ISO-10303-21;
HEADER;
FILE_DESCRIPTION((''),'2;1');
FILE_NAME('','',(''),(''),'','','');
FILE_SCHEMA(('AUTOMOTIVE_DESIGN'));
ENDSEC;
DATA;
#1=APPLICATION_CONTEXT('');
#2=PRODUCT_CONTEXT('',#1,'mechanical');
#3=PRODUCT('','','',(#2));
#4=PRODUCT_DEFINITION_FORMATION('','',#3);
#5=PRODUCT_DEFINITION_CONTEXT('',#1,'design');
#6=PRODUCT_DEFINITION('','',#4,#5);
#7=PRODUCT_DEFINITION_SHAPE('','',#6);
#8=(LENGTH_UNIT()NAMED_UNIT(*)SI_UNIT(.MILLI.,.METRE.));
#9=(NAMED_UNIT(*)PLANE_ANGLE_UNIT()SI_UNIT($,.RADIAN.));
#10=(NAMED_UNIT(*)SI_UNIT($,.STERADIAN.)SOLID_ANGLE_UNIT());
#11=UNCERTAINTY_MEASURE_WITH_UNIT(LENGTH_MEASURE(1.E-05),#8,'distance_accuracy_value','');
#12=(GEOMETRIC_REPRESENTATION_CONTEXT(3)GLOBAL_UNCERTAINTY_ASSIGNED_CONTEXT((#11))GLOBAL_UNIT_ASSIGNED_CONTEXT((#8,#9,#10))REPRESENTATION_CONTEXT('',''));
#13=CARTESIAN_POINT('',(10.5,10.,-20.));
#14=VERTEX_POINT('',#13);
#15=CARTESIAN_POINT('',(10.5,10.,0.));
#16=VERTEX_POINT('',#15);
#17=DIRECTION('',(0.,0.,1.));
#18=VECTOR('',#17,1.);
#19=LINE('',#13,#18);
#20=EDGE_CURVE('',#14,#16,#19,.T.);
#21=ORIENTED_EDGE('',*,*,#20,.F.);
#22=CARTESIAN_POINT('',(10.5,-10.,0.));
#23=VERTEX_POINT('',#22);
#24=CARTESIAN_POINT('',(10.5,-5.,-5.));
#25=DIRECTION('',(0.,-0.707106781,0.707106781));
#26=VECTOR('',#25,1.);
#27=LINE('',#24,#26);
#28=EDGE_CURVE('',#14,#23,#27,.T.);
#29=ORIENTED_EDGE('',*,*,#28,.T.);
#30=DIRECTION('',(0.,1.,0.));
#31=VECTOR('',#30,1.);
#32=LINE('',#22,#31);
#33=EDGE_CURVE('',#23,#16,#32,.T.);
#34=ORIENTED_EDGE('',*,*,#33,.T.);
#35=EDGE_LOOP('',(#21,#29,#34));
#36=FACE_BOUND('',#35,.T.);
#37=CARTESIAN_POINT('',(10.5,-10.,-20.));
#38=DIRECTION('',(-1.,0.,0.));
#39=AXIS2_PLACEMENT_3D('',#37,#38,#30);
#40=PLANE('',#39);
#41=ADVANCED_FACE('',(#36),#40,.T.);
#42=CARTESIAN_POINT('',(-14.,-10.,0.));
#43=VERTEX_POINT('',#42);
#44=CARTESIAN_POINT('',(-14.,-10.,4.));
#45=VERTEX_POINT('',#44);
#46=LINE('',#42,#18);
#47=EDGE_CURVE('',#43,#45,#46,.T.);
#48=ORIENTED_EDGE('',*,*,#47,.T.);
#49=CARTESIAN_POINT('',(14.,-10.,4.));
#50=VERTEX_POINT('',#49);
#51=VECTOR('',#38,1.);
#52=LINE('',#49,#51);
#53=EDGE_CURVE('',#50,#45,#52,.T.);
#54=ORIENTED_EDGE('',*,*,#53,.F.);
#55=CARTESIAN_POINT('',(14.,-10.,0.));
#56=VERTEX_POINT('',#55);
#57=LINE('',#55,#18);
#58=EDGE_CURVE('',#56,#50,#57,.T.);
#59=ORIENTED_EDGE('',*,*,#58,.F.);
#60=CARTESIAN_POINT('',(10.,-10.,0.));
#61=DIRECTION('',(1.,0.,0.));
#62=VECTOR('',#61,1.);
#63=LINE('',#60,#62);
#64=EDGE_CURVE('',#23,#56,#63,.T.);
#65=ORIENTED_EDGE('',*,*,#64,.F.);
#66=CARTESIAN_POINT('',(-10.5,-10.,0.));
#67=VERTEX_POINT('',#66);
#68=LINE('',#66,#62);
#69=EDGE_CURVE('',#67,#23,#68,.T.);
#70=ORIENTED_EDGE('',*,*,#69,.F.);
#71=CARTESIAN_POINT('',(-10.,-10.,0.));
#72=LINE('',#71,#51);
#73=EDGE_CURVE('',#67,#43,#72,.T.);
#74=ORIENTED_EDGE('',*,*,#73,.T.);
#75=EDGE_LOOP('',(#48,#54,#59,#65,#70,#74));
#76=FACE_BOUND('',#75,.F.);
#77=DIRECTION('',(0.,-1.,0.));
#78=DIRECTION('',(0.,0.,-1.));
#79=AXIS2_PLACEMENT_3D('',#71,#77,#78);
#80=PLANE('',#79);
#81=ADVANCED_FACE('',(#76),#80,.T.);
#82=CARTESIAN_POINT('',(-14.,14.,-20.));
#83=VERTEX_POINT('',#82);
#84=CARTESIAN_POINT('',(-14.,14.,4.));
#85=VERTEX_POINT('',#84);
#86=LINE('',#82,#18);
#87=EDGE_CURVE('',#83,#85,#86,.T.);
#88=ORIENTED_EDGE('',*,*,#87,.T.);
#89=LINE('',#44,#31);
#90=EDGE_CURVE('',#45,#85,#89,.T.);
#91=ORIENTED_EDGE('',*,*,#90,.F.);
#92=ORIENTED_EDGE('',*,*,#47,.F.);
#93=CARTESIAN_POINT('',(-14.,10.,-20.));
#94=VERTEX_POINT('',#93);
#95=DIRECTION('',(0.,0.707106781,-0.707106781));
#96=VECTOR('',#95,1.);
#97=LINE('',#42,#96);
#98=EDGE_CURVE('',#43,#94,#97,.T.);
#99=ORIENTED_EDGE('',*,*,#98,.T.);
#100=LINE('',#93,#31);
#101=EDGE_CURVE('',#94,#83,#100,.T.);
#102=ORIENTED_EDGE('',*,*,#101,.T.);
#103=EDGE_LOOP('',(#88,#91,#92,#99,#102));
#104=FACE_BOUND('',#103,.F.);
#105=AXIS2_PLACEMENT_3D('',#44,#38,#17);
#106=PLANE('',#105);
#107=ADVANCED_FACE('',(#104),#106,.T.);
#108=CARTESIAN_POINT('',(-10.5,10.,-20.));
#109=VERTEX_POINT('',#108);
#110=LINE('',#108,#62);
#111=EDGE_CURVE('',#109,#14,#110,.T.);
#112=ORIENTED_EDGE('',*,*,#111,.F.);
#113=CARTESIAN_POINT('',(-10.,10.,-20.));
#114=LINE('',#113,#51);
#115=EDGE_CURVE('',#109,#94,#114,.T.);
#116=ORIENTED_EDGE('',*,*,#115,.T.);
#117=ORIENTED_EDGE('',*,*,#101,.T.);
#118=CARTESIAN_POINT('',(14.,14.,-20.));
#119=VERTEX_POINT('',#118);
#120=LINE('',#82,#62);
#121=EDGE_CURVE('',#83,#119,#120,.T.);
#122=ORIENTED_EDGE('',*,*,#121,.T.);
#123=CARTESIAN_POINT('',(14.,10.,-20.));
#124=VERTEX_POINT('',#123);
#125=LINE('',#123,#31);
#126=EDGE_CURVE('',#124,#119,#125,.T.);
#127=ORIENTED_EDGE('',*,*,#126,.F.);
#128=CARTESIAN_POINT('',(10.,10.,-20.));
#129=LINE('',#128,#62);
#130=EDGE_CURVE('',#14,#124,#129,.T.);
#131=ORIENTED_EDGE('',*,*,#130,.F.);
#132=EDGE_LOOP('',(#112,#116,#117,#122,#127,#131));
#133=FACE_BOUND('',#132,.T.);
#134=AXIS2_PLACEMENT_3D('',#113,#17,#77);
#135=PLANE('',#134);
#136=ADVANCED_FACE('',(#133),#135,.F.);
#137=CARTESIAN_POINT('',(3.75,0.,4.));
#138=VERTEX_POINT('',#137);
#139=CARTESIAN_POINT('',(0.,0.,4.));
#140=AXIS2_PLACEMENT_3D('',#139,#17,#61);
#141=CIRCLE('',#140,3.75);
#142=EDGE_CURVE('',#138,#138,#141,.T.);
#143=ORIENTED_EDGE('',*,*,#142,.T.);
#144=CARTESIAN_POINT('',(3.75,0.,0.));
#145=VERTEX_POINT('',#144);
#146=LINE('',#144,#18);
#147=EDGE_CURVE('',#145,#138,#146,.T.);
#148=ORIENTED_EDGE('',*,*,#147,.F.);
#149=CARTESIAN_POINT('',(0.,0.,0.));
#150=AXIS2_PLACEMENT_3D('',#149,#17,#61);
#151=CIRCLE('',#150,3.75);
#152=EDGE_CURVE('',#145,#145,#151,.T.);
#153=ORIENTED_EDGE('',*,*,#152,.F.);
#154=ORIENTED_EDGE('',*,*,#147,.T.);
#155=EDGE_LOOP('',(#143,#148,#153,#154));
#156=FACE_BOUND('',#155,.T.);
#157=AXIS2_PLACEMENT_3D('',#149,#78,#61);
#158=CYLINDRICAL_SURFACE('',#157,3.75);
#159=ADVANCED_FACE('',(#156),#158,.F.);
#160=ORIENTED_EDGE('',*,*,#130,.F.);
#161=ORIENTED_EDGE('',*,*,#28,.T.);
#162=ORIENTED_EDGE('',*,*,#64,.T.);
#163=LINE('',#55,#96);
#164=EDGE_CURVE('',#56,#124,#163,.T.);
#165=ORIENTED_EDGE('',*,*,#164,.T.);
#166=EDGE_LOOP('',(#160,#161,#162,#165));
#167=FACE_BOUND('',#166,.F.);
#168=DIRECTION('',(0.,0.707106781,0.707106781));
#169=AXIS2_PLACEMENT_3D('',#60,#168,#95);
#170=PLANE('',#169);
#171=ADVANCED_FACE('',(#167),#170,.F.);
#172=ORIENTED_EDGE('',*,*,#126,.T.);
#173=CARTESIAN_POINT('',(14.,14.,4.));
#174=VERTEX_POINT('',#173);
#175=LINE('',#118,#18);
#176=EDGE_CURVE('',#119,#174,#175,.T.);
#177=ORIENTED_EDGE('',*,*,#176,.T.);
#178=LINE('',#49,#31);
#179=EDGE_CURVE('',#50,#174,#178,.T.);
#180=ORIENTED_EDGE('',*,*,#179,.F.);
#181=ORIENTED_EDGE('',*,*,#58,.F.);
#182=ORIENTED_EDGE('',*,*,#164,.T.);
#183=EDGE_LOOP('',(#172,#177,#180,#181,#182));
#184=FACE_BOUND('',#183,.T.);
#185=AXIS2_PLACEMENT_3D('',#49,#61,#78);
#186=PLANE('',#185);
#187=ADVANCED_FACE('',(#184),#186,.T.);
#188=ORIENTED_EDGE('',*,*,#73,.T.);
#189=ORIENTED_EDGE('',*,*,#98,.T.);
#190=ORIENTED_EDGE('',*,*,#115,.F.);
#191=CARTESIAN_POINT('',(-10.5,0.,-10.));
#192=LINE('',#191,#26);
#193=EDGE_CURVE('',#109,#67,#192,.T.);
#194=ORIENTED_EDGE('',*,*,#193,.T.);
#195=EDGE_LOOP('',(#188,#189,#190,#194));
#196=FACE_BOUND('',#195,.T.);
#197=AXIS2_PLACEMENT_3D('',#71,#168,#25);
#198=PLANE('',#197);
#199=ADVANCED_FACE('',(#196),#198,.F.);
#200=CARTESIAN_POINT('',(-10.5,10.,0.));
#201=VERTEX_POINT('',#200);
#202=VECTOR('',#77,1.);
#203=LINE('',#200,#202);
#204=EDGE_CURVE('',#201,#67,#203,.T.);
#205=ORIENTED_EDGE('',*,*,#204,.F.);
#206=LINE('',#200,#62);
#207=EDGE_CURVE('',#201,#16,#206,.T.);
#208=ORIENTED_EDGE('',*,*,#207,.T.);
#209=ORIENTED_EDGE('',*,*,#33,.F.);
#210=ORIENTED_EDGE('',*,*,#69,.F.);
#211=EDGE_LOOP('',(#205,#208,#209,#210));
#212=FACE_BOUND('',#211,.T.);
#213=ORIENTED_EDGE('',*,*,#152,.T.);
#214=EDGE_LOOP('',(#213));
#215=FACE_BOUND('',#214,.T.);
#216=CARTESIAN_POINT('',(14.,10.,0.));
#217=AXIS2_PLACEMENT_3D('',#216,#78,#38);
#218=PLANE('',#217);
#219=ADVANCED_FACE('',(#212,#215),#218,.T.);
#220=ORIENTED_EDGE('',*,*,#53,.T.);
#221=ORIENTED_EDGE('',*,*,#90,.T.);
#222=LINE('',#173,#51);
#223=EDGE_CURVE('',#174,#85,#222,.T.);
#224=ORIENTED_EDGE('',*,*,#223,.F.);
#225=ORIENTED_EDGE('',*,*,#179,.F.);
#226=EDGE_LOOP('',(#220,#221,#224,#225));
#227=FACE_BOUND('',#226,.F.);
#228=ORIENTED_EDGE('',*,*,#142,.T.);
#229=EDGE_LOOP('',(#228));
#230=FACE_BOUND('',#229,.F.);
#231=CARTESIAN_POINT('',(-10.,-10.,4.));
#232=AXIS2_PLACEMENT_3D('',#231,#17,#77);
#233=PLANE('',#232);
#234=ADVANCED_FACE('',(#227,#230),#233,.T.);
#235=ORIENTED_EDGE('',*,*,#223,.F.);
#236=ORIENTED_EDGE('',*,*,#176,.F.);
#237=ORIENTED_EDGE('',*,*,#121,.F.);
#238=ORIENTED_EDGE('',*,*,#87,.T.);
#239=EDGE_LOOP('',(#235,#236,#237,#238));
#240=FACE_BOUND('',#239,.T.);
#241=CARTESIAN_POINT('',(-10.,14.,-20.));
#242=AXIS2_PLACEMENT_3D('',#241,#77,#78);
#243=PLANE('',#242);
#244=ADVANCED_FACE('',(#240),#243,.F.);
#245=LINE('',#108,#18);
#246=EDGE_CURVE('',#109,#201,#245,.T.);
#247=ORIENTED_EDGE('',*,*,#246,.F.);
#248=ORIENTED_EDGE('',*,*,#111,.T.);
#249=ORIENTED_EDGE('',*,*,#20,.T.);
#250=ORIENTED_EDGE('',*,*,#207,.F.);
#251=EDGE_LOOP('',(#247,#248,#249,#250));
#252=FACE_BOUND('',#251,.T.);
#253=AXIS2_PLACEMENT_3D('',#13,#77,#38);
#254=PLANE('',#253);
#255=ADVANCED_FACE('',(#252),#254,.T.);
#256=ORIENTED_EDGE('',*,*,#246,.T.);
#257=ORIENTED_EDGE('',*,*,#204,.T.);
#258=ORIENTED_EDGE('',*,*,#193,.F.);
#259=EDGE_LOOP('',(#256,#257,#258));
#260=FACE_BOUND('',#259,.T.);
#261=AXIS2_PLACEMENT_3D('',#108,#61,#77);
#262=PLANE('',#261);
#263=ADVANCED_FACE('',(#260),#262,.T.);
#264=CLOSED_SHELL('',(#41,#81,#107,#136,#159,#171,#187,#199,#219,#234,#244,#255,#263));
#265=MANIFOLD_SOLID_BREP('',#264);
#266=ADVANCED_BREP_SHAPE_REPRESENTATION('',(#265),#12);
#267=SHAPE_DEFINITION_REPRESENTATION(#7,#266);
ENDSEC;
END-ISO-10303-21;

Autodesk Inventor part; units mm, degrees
ref_plane "YZ Plane" through (0, 0, 0) normal (1, 0, 0) x (0, 1, 0)
ref_plane "XZ Plane" through (0, 0, 0) normal (0, 1, 0) x (-1, 0, 0)
ref_plane "XY Plane" through (0, 0, 0) normal (0, 0, 1) x (1, 0, 0)
sketch "Sketch1" plane through (0, 0, 0) normal (0, 0, 1) x (1, 0, 0)
  circle A0 centre (0, 0) radius 3.75
  line L0 (-10, 10) -> (10, 10)
  line L1 (10, 10) -> (10, -10)
  line L2 (10, -10) -> (-10, -10)
  line L3 (-10, -10) -> (-10, 10)
  line L4 (-10, 10) -> (10, -10) construction
  line L5 (10, 10) -> (-10, -10) construction
  dimension "d0" = 7.5
  dimension "d1" = 20
  dimension "d2" = 20
extrude "Extrusion1" add sketch "Sketch1" along normal blind 4
sketch "Sketch2" plane through (-10, 10, 0) normal (0, 1, 0) x (1, 0, 0)
  line L0 (20, -4) -> (0, -4) projected
  line L1 (0, -4) -> (20, -4)
  line L2 (20, -4) -> (20, 20)
  line L3 (20, 20) -> (0, 20)
  line L4 (0, 20) -> (0, -4)
  point P0 (10, 0)
  dimension "d5" = 24
extrude "Extrusion2" add sketch "Sketch2" along normal blind 4
sketch "Sketch3" plane through (10, -10, 4) normal (1, 0, 0) x (0, 0, -1)
  line L0 (4, 0) -> (0, 0) projected
  line L1 (4, 20) -> (24, 20) projected
  line L2 (4, 0) -> (24, 20)
  line L3 (24, 20) -> (24, 24) projected
  line L4 (24, 20) -> (24, 24)
  line L5 (24, 24) -> (0, 24) projected
  line L6 (24, 24) -> (0, 24)
  line L7 (0, 0) -> (0, 24) projected
  line L8 (0, 24) -> (0, 0)
  line L9 (0, 0) -> (4, 0)
  point P0 (4, 10)
extrude "Extrusion3" add sketch "Sketch3" along normal blind 4
ref_plane "Work Plane1" through (0, -10, 4) normal (1, 0, 0) x (0, 0, -1)
mirror "Mirror1" about plane through (0, -10, 4) normal (1, 0, 0) of "Extrusion3"
sketch "Sketch4" plane through (14, 10, -20) normal (0, 0, -1) x (-1, 0, 0)
  line L0 (3.5, 0) -> (24.5, 0)
  line L1 (24.5, 0) -> (24.5, -20)
  line L2 (24.5, -20) -> (3.5, -20)
  line L3 (3.5, -20) -> (3.5, 0)
  line L4 (3.5, 0) -> (24.5, -20) construction
  line L5 (24.5, 0) -> (3.5, -20) construction
  point P0 (14, -10)
  dimension "d11" = 21
  dimension "d12" = 20
extrude "Extrusion4" cut sketch "Sketch4" against normal blind 20
properties part number "Gabarito Furo BOX"
